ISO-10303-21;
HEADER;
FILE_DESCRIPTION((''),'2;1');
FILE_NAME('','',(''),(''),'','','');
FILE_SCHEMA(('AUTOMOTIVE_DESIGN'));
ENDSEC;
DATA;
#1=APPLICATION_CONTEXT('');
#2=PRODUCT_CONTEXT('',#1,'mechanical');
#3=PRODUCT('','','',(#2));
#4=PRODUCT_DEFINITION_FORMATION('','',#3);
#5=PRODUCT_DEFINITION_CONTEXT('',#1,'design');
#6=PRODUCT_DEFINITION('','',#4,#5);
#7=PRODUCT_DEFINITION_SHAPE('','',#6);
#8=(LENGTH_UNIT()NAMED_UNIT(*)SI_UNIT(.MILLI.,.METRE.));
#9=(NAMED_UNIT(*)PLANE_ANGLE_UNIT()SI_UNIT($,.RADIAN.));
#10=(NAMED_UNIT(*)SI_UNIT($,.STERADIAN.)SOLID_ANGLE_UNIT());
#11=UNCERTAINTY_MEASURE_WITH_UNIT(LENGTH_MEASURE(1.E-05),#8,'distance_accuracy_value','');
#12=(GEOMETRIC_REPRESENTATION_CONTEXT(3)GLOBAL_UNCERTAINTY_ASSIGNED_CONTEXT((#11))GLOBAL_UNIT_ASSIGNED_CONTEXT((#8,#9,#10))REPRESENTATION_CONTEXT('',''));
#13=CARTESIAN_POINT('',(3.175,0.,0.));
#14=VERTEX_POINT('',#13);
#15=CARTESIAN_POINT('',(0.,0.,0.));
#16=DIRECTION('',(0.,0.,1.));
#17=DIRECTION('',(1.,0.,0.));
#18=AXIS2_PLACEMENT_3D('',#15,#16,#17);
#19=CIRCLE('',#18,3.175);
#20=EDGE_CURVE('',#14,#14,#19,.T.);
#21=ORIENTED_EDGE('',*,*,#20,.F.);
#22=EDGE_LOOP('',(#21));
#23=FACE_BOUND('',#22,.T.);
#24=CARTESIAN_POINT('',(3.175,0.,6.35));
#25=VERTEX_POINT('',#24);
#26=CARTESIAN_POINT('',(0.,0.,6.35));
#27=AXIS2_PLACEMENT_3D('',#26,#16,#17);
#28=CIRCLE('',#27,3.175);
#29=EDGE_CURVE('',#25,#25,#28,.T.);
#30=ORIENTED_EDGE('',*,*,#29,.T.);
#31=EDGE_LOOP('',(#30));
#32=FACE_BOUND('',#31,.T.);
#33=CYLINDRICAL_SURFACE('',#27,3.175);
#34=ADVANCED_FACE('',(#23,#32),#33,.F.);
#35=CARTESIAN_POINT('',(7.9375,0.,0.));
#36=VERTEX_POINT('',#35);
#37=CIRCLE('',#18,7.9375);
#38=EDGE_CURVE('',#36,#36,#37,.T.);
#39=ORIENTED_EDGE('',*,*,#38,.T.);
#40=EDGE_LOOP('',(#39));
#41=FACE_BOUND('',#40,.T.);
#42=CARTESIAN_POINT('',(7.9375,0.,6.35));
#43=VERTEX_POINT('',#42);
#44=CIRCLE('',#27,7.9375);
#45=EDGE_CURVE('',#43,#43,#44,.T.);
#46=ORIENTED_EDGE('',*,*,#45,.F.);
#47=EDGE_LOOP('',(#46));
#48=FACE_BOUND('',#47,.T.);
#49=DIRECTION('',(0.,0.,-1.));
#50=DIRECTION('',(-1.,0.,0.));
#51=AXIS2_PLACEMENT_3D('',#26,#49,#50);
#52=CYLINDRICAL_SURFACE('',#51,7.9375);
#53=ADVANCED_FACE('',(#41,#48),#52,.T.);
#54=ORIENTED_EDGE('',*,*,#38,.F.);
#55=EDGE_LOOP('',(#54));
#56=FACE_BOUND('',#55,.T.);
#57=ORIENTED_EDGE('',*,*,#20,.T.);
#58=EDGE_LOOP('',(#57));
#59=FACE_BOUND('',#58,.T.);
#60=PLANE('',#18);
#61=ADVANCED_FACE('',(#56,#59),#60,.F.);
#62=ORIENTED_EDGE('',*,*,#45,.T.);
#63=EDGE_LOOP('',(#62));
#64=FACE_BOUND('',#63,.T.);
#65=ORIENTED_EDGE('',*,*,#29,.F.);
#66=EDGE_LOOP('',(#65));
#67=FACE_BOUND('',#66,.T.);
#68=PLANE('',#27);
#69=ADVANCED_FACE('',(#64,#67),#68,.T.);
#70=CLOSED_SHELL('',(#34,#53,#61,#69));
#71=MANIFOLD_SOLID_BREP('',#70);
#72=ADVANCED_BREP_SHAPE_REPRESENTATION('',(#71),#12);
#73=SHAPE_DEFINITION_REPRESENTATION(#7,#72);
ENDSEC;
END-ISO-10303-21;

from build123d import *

# Parameters (mm, degrees)
SKETCH1_R                   = 7.9375
BOSS_EXTRUDE1_DEPTH         = 6.35
F_1_4_0_25_DIAMETER_HOLE1_D = 6.35


with BuildPart() as part:
    # Sketch1 → Boss-Extrude1 (new body)
    with BuildSketch(Plane.XY):
        Circle(SKETCH1_R)
    extrude(amount=BOSS_EXTRUDE1_DEPTH)

    # 1/4 (0.25) Diameter Hole1 (through all)
    with Locations(Plane.XY.offset(6.35)):
        with Locations((0, 0)):
            Hole(F_1_4_0_25_DIAMETER_HOLE1_D / 2)


solid = part.part
